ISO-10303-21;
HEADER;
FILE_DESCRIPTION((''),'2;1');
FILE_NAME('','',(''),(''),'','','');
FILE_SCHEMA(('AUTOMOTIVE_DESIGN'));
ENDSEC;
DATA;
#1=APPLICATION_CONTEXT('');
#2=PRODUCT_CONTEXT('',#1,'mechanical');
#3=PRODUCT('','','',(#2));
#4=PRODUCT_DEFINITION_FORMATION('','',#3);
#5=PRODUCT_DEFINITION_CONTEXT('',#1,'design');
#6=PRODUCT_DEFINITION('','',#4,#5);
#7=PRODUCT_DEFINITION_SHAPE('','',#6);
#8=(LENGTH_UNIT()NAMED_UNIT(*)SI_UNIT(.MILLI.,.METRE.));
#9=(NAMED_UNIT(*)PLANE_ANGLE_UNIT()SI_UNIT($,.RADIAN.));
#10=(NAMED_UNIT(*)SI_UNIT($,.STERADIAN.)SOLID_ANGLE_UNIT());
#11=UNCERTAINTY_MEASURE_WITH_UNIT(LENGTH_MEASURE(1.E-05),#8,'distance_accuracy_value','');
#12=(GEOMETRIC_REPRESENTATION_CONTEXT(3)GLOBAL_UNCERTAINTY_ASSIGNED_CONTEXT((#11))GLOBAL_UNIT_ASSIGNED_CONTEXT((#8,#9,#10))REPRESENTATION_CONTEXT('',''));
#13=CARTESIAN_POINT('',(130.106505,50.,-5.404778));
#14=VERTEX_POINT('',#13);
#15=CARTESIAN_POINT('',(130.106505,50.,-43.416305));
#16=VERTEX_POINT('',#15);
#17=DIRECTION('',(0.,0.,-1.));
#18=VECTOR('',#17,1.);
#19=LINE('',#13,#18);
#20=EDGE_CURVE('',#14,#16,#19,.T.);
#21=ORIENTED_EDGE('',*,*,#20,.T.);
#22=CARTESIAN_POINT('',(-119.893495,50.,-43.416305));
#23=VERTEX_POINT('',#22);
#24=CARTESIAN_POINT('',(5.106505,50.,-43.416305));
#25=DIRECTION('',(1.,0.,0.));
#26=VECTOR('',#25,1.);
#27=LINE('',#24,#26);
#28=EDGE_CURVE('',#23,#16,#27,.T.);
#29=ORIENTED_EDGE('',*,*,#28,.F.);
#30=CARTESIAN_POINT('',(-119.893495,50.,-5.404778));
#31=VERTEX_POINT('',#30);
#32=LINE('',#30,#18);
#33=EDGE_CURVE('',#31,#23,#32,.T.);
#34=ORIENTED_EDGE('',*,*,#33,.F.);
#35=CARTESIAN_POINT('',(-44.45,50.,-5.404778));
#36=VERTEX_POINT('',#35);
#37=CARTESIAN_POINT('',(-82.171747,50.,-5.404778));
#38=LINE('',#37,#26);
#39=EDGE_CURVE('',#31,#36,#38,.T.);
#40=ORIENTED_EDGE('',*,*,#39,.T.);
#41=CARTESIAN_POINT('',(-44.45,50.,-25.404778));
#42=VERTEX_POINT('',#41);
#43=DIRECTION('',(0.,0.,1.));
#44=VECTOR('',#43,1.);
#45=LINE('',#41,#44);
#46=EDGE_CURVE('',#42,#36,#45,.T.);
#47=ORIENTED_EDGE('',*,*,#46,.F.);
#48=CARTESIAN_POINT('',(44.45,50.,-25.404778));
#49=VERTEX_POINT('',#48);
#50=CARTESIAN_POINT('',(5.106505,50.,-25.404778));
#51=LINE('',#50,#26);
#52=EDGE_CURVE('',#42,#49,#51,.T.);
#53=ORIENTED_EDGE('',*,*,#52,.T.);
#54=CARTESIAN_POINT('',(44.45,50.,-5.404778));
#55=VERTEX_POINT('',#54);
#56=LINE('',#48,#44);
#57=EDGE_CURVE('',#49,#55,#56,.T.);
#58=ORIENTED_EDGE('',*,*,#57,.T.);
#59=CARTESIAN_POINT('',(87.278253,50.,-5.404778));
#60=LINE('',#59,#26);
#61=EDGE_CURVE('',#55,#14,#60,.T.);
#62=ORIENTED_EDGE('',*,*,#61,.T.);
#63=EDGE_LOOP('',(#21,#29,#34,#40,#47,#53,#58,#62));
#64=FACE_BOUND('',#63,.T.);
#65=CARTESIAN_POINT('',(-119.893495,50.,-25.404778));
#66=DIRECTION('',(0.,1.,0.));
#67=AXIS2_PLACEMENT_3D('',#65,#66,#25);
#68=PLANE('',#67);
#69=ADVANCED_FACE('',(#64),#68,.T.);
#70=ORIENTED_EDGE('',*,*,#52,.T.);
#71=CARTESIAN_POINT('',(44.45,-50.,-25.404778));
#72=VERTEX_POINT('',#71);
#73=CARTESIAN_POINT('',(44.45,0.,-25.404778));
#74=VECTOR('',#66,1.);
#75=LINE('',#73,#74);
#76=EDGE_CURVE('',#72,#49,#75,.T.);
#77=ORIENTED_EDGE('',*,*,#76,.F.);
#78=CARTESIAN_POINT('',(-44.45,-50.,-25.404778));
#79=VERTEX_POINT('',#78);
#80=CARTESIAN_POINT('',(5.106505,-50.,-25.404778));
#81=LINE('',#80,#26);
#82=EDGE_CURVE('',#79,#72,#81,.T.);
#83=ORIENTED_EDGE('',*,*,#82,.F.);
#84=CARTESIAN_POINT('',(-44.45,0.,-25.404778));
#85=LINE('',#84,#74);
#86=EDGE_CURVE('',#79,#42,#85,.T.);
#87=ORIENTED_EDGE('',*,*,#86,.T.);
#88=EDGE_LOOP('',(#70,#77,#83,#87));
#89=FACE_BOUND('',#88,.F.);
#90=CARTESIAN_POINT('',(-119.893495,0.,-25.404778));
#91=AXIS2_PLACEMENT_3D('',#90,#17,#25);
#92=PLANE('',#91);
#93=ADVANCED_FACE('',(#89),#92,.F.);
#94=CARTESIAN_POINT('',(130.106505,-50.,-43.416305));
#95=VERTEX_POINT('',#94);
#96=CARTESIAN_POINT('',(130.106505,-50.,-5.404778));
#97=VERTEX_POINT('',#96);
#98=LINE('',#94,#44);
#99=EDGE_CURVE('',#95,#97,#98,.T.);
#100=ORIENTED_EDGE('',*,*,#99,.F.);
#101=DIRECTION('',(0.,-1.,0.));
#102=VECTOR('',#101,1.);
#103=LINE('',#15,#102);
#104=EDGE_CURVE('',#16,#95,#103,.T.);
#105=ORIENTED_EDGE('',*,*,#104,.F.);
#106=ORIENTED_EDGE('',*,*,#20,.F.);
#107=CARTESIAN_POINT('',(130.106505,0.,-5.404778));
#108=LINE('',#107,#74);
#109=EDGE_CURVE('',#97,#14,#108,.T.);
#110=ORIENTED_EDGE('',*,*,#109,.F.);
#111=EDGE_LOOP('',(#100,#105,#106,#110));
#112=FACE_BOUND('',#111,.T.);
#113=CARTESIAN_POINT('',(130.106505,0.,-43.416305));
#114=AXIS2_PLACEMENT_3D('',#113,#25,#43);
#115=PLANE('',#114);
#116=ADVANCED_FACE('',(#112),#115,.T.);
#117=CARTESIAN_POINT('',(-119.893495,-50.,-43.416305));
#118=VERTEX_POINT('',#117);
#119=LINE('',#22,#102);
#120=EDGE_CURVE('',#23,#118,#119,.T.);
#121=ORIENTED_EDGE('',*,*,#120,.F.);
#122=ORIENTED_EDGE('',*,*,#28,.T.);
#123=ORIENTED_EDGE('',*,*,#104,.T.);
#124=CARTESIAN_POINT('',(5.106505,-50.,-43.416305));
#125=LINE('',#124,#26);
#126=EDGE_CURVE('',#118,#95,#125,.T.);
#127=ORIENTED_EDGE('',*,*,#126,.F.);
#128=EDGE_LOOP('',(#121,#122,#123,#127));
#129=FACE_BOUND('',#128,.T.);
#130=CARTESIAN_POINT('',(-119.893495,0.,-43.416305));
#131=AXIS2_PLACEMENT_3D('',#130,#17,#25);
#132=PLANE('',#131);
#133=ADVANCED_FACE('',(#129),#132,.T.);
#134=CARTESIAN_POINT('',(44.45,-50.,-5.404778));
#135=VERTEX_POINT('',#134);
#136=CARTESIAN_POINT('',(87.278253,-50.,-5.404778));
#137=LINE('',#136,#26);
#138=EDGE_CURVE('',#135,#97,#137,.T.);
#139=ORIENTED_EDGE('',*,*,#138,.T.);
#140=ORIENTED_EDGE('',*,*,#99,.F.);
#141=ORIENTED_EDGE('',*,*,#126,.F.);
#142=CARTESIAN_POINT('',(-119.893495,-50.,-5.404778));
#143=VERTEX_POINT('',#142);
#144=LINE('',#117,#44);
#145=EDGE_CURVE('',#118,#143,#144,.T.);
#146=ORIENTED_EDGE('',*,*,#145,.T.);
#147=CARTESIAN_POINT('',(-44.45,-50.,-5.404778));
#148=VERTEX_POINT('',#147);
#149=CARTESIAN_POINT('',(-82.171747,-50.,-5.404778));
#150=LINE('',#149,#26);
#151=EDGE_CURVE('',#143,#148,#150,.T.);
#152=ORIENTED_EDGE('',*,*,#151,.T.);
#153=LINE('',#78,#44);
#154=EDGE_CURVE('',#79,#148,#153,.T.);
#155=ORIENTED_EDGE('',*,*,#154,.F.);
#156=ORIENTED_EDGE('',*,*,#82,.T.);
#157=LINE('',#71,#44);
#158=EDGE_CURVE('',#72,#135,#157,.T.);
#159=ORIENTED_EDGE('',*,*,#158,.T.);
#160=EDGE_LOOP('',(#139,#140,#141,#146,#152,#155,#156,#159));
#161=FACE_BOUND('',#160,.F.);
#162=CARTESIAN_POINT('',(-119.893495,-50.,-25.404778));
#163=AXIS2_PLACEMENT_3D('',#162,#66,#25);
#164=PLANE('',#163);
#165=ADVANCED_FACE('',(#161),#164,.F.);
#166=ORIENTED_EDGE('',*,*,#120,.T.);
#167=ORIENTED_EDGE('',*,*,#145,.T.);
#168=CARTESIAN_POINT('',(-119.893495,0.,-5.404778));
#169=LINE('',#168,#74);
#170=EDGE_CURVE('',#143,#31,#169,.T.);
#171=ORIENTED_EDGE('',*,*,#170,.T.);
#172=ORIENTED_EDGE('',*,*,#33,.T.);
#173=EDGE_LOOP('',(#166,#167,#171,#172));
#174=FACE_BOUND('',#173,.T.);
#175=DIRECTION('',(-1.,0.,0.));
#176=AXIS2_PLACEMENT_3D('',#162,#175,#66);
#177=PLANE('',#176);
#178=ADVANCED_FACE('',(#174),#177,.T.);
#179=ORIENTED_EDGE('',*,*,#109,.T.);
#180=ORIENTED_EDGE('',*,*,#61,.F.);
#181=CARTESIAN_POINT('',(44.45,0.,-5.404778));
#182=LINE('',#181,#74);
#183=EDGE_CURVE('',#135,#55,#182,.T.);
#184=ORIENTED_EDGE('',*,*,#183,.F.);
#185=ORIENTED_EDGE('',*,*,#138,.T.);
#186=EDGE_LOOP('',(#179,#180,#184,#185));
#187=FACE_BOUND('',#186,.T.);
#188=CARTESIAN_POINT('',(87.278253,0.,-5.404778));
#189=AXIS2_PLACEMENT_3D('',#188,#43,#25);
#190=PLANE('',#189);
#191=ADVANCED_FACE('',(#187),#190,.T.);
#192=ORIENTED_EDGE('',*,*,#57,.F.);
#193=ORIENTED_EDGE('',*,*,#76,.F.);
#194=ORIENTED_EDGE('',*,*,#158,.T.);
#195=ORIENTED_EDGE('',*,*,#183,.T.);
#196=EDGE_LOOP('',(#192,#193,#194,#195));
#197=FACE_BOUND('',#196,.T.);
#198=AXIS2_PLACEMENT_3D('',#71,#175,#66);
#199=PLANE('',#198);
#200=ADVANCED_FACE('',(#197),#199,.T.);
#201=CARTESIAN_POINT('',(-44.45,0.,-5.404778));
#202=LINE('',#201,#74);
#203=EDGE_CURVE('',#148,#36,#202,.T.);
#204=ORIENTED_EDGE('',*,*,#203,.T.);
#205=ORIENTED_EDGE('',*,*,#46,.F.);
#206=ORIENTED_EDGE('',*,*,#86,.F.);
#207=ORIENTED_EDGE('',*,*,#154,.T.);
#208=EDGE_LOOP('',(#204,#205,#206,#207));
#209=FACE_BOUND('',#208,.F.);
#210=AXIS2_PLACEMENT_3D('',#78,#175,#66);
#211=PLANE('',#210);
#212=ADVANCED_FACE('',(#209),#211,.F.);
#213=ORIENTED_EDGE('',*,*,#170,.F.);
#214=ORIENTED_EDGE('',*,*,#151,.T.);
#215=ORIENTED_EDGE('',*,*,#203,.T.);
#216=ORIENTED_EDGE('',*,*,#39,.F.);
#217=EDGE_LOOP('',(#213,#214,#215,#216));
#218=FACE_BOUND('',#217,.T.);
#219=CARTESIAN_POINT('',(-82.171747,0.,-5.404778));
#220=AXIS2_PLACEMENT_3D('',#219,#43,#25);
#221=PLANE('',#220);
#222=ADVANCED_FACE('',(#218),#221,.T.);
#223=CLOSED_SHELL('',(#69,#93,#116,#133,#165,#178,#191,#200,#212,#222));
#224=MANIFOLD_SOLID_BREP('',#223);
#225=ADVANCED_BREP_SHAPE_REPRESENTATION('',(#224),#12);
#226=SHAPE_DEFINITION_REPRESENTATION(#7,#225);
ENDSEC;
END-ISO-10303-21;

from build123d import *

# Parameters (mm, degrees)
F0_W     = 250
F0_H     = 18.0115271627
F1_DEPTH = 50
F2_W     = 75.4434949934
F2_H     = 100
F2_W_2   = 85.6565050066
F3_DEPTH = 20


with BuildPart() as f1:
    # F0 (on Front) → F1 (new body, symmetric)
    with BuildSketch(Plane.XZ):
        with Locations((5.1065050066, -34.4105418772)):
            Rectangle(F0_W, F0_H)
    extrude(amount=F1_DEPTH, both=True)

    # F2 (on face) → F3 (join)
    with BuildSketch(Plane.XY.offset(-25.4047782958)):
        with Locations((-82.1717474967, 0)):
            Rectangle(F2_W, F2_H)
        with Locations((87.2782525033, 0)):
            Rectangle(F2_W_2, F2_H)
    extrude(amount=F3_DEPTH)


solid = f1.part
